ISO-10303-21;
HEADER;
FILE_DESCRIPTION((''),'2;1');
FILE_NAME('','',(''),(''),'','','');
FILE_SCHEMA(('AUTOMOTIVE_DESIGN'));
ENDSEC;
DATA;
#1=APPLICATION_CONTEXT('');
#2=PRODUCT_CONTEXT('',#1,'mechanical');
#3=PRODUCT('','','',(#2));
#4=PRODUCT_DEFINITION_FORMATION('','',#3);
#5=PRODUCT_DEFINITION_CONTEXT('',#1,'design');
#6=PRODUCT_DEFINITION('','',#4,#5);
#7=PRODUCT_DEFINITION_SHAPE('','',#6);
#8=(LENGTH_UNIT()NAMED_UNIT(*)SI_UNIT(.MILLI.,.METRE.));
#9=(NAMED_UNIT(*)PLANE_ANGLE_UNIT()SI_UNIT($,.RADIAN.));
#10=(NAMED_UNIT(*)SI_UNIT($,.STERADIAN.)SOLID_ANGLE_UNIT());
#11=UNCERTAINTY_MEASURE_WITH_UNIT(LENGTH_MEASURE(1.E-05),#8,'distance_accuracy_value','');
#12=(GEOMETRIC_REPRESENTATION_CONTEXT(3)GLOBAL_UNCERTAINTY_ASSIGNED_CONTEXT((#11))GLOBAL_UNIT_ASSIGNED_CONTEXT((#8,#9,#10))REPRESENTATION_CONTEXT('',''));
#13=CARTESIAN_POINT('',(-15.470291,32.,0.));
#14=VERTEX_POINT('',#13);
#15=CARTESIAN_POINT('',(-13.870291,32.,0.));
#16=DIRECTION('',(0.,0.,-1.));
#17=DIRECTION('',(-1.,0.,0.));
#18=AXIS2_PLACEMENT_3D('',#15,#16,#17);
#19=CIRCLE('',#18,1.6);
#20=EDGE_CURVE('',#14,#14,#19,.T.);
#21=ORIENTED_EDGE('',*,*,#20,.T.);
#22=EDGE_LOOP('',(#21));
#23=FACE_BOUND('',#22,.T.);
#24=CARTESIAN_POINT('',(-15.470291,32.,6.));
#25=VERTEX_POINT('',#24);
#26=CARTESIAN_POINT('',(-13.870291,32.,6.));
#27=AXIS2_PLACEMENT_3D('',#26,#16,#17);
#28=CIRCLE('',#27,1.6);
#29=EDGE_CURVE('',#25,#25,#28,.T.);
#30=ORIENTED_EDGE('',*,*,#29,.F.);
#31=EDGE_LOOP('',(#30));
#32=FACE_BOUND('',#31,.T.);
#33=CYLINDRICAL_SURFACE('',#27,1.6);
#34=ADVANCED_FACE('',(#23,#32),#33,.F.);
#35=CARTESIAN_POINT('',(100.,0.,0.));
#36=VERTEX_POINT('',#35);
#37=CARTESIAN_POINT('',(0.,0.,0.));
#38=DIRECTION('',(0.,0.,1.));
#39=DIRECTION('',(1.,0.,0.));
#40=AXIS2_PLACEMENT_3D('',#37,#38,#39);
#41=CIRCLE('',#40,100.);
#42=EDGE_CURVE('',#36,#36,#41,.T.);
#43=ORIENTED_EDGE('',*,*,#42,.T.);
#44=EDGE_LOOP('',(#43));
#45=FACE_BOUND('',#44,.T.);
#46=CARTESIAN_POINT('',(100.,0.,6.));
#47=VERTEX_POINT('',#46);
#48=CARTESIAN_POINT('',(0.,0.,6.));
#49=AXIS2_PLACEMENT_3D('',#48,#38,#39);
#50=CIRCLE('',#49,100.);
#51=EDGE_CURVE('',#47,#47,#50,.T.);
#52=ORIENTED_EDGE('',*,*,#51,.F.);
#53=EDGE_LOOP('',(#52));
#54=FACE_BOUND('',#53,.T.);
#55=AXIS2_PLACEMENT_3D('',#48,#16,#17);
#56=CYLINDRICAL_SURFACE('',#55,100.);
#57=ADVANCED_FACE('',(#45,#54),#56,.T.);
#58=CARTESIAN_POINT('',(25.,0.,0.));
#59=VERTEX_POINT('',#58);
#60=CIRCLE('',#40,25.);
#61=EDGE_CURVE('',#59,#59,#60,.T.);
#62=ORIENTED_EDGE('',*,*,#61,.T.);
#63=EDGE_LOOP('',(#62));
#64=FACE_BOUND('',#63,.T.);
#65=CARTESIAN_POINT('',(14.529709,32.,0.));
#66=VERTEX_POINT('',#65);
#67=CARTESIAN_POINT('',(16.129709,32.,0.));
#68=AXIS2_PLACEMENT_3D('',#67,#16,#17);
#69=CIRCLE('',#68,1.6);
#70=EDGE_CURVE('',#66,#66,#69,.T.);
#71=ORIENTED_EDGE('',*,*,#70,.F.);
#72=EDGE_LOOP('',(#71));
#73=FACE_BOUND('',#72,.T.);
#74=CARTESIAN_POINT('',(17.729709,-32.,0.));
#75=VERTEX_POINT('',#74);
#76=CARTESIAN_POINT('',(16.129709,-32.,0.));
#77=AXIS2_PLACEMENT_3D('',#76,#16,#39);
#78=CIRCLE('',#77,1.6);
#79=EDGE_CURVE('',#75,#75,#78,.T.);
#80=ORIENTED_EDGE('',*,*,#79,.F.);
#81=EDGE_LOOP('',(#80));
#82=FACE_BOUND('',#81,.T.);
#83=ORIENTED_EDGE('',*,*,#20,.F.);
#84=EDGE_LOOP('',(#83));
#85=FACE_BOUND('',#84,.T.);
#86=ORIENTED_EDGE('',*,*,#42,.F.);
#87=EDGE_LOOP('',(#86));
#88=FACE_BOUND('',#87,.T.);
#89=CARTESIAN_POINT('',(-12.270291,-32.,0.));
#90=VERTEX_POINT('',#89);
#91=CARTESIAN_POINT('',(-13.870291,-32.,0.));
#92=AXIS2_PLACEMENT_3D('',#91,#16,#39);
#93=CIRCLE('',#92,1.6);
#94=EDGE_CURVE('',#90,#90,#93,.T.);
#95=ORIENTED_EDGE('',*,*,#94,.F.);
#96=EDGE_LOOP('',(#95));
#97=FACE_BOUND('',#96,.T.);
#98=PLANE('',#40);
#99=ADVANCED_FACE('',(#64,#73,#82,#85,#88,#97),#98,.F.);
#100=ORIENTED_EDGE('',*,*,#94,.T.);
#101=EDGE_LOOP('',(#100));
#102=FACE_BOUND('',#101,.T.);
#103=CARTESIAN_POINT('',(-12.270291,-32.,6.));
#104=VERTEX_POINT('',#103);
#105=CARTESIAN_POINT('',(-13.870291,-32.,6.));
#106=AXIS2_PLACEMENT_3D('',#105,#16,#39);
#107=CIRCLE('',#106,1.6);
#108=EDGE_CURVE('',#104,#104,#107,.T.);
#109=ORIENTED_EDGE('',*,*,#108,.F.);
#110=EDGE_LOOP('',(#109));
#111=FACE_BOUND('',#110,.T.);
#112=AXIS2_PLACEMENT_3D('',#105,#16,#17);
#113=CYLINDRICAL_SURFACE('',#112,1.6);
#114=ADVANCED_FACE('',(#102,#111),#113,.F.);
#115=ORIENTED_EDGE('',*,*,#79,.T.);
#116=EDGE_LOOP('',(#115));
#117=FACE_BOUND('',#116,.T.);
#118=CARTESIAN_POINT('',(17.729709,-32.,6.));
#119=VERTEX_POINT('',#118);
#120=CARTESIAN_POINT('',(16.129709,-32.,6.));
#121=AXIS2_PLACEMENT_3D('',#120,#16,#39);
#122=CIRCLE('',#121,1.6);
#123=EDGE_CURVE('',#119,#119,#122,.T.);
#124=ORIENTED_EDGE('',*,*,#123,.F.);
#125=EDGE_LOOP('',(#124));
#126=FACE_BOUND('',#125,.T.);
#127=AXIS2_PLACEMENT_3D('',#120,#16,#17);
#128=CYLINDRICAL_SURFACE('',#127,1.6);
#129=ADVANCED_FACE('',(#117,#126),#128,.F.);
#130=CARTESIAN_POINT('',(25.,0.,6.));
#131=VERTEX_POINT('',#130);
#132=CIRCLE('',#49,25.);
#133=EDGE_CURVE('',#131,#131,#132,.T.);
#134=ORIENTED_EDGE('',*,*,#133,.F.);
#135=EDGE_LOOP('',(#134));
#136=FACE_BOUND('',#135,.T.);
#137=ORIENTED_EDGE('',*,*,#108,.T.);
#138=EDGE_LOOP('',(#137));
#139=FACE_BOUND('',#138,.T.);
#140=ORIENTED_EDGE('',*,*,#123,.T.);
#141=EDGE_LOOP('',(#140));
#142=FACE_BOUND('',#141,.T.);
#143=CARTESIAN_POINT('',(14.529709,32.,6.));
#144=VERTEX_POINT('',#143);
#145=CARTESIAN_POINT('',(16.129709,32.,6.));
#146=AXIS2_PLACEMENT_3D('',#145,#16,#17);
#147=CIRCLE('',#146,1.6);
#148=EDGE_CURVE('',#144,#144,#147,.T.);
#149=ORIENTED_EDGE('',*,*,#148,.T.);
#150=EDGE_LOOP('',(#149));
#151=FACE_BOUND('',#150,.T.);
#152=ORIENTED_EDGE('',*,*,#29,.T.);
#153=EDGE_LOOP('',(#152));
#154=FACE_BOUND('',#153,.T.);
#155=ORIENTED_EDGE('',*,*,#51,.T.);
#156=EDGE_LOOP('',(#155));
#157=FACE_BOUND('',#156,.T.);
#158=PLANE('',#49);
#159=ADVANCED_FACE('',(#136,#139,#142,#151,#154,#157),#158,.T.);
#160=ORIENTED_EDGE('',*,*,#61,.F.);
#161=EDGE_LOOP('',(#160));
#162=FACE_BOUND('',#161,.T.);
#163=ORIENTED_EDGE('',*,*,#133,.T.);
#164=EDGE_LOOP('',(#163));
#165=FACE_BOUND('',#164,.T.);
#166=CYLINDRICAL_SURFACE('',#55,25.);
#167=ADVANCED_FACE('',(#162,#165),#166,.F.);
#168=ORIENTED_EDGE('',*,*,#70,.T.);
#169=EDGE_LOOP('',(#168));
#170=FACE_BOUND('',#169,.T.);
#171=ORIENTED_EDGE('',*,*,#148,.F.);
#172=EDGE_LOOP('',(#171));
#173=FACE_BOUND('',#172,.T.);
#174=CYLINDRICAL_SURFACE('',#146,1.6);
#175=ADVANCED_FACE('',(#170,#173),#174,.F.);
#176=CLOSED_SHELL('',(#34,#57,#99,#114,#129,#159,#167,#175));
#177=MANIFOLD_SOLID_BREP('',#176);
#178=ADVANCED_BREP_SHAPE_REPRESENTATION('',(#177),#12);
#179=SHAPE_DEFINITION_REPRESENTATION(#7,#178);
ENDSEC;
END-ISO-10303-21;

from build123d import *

# Parameters (mm, degrees)
SKETCH1_R           = 100
SKETCH1_R_2         = 25
BOSS_EXTRUDE1_DEPTH = 6
SKETCH2_R           = 1.6
CUT_EXTRUDE1_DEPTH  = 142.548578234


with BuildPart() as part:
    # Sketch1 → Boss-Extrude1 (new body)
    with BuildSketch(Plane.XY):
        Circle(SKETCH1_R)
        Circle(SKETCH1_R_2, mode=Mode.SUBTRACT)
    extrude(amount=BOSS_EXTRUDE1_DEPTH)

    # Sketch2 → Cut-Extrude1 (cut, through all)
    with BuildSketch(Plane(origin=(0, 0, 0), x_dir=(-1, 0, 0), z_dir=(0, 0, -1))):
        with Locations((-16.129709466, 32)):
            Circle(SKETCH2_R)
        with Locations((13.870290534, 32)):
            Circle(SKETCH2_R)
        with Locations(Location((13.870290534, -32, 0), (0, 0, 180))):
            Circle(SKETCH2_R)
        with Locations(Location((-16.129709466, -32, 0), (0, 0, 180))):
            Circle(SKETCH2_R)
    extrude(amount=-CUT_EXTRUDE1_DEPTH, mode=Mode.SUBTRACT)


solid = part.part
